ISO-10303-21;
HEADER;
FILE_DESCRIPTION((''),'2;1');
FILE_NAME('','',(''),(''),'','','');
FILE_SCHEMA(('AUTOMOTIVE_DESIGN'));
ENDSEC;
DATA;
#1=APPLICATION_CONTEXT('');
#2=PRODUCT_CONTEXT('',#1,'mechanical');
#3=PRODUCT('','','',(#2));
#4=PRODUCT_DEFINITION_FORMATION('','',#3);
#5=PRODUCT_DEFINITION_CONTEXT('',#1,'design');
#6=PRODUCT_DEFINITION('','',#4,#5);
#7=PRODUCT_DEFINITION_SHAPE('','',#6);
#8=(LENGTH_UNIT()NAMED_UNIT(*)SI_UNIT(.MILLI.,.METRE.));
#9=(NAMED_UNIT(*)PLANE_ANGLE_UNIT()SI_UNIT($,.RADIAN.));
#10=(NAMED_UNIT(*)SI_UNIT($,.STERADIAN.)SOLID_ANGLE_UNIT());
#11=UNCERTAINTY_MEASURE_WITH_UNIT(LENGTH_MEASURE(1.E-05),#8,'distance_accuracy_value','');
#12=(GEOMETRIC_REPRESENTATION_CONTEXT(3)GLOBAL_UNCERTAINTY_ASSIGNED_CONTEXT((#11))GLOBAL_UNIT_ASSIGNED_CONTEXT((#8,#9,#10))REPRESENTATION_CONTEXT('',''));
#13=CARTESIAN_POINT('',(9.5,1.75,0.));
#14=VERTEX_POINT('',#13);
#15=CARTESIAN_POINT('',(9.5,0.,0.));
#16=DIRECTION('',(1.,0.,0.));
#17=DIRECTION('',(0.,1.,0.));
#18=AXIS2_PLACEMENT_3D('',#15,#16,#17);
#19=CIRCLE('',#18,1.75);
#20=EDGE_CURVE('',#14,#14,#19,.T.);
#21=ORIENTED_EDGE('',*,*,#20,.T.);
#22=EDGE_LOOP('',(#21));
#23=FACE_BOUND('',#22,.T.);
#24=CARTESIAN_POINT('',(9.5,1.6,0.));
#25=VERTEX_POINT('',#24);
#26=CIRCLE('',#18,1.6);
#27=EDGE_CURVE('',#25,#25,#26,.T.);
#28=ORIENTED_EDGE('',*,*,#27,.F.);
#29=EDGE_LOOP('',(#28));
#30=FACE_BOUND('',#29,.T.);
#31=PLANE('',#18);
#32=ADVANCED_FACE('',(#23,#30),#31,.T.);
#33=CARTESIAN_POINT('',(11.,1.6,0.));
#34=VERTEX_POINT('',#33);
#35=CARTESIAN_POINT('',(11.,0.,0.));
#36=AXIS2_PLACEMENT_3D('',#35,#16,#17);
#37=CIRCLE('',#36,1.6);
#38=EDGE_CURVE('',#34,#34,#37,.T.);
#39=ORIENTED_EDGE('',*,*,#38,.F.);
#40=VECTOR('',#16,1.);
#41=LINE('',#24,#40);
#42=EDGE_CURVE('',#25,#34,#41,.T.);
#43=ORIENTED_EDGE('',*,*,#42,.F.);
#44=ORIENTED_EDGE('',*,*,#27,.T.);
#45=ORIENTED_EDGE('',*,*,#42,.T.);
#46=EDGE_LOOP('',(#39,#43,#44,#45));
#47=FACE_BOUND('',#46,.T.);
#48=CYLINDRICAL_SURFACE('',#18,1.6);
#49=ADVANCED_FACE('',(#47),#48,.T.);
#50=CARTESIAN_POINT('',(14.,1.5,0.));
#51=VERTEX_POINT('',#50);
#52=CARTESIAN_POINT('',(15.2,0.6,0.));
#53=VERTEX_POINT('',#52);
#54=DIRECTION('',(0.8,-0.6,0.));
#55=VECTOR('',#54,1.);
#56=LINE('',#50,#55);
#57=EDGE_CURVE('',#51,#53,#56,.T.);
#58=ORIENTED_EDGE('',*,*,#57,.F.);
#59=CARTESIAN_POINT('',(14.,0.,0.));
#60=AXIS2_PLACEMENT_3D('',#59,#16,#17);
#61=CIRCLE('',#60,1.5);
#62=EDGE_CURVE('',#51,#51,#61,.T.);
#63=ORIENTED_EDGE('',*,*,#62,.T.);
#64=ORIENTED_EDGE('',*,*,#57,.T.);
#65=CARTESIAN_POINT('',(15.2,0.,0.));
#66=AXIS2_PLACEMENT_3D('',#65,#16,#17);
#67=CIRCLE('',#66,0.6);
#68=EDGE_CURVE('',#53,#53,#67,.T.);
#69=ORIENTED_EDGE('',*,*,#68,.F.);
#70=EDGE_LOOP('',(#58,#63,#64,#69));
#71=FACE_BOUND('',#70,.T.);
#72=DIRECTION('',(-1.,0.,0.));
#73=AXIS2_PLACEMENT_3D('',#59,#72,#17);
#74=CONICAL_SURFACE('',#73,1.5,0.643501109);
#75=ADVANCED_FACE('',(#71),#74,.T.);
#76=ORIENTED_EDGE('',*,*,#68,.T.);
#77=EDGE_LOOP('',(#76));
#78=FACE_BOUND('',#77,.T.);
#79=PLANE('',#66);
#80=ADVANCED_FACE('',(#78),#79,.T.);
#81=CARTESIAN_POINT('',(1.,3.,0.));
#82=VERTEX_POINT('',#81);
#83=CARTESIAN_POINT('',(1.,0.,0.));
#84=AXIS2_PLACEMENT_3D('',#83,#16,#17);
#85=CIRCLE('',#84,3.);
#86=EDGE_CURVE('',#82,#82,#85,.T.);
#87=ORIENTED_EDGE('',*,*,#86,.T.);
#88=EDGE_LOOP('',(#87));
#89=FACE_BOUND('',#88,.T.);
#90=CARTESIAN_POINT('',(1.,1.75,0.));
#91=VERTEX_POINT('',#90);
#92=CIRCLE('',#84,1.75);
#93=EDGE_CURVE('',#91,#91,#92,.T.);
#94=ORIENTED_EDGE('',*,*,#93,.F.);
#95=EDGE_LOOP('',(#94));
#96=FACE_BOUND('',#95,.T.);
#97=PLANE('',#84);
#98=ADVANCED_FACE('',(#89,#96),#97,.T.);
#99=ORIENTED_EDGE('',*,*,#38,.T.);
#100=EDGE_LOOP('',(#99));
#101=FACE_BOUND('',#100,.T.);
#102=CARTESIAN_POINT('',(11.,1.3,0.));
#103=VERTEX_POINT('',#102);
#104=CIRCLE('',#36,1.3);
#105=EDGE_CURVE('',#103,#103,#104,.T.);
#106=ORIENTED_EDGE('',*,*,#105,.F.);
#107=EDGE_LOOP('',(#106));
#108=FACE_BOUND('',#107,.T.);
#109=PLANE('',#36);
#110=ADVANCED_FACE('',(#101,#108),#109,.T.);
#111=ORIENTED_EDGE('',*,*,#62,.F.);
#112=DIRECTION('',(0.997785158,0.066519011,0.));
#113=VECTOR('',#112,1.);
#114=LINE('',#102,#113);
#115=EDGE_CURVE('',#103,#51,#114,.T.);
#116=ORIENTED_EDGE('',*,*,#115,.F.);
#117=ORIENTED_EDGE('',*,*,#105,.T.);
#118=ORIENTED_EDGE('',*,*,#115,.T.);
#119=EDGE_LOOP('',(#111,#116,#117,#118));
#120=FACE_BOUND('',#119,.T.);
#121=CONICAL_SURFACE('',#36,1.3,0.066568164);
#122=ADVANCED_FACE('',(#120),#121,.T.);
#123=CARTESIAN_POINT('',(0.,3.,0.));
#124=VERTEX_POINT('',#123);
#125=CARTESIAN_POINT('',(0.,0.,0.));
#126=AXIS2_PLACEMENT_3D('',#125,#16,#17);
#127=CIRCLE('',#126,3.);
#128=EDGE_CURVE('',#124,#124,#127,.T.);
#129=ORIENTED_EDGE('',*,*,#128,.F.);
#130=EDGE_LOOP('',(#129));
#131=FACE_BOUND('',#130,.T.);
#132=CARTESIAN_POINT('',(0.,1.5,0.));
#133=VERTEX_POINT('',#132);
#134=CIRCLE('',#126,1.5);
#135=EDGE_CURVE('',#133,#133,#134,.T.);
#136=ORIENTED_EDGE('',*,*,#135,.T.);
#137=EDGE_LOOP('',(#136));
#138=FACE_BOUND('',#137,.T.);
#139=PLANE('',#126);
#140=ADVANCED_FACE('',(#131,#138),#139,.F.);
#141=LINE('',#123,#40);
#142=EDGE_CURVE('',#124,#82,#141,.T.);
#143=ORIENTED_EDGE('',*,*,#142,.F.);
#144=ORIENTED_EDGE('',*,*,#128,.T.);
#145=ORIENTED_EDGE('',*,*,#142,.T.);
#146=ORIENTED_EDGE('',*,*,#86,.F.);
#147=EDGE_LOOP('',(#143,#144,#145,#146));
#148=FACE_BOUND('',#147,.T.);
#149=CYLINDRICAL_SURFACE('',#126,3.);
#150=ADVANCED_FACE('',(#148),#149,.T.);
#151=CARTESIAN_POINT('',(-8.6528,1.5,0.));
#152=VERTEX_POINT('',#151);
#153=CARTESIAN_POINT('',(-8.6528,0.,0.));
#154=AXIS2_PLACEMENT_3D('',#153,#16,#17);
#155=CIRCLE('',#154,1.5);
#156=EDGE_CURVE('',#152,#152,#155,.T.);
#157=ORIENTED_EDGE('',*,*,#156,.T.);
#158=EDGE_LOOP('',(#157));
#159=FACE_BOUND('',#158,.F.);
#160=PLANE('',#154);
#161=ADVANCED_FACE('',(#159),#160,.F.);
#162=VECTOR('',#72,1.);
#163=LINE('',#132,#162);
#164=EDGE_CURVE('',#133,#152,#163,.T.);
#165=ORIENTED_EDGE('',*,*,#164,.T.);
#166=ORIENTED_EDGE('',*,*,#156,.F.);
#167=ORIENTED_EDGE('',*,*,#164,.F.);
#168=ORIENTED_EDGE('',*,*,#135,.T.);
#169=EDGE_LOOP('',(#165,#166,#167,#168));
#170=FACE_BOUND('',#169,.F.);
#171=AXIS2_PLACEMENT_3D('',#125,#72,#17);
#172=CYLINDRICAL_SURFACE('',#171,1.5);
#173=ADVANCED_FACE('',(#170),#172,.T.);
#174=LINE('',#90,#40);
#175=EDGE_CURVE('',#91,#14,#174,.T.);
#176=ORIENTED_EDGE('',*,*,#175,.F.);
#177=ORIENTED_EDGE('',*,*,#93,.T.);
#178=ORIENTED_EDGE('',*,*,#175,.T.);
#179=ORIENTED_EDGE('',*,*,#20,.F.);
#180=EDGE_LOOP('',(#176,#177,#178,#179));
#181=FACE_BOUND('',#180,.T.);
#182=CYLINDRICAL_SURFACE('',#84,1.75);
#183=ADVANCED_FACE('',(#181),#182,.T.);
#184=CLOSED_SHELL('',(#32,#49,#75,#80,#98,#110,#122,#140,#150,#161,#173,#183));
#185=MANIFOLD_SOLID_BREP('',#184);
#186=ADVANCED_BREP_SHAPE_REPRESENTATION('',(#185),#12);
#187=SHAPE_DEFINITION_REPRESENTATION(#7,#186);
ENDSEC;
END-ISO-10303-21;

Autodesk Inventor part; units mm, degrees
ref_plane "YZ Plane" through (0, 0, 0) normal (1, 0, 0) x (0, 1, 0)
ref_plane "XZ Plane" through (0, 0, 0) normal (0, 1, 0) x (-1, 0, 0)
ref_plane "XY Plane" through (0, 0, 0) normal (0, 0, 1) x (1, 0, 0)
sketch "Sketch1" plane through (0, 0, 0) normal (0, 0, 1) x (1, 0, 0)
  line L0 (0, 0) -> (0, 3)
  line L1 (0, 3) -> (1, 3)
  line L2 (1, 3) -> (1, 1.75)
  line L3 (0, 0) -> (14, 0)
  line L4 (1, 1.75) -> (9.5, 1.75)
  line L5 (9.5, 1.75) -> (9.5, 1.6)
  line L6 (9.5, 1.6) -> (11, 1.6)
  line L7 (11, 1.6) -> (11, 1.3)
  line L8 (11, 1.3) -> (14, 1.5)
  line L9 (14, 1.5) -> (15.2, 0.6)
  line L10 (15.2, 0.6) -> (15.2, 0)
  line L11 (0, 1.5) -> (-8.6528, 1.5)
  line L12 (-8.6528, 1.5) -> (-8.6528, 0)
  line L13 (0, 0) -> (-8.6528, 0)
  line L14 (14, 0) -> (15.2, 0)
  dimension "d1" = 1
  dimension "d3" = 14
  dimension "d5" = 6
  dimension "d6" = 3.5
  dimension "d7" = 3.2
  dimension "d8" = 2.6
  dimension "d9" = 3
  dimension "d11" = 14
  dimension "d12" = 11
  dimension "d13" = 9.5
  dimension "d15" = 1.2
  dimension "d16" = 1.2
  dimension "d17" = 8.6528
revolve "Revolution1" add sketch "Sketch1" angle 360 about axis through (0, 0, 0) along (1, 0, 0)
properties part number "3,5mm jack"
